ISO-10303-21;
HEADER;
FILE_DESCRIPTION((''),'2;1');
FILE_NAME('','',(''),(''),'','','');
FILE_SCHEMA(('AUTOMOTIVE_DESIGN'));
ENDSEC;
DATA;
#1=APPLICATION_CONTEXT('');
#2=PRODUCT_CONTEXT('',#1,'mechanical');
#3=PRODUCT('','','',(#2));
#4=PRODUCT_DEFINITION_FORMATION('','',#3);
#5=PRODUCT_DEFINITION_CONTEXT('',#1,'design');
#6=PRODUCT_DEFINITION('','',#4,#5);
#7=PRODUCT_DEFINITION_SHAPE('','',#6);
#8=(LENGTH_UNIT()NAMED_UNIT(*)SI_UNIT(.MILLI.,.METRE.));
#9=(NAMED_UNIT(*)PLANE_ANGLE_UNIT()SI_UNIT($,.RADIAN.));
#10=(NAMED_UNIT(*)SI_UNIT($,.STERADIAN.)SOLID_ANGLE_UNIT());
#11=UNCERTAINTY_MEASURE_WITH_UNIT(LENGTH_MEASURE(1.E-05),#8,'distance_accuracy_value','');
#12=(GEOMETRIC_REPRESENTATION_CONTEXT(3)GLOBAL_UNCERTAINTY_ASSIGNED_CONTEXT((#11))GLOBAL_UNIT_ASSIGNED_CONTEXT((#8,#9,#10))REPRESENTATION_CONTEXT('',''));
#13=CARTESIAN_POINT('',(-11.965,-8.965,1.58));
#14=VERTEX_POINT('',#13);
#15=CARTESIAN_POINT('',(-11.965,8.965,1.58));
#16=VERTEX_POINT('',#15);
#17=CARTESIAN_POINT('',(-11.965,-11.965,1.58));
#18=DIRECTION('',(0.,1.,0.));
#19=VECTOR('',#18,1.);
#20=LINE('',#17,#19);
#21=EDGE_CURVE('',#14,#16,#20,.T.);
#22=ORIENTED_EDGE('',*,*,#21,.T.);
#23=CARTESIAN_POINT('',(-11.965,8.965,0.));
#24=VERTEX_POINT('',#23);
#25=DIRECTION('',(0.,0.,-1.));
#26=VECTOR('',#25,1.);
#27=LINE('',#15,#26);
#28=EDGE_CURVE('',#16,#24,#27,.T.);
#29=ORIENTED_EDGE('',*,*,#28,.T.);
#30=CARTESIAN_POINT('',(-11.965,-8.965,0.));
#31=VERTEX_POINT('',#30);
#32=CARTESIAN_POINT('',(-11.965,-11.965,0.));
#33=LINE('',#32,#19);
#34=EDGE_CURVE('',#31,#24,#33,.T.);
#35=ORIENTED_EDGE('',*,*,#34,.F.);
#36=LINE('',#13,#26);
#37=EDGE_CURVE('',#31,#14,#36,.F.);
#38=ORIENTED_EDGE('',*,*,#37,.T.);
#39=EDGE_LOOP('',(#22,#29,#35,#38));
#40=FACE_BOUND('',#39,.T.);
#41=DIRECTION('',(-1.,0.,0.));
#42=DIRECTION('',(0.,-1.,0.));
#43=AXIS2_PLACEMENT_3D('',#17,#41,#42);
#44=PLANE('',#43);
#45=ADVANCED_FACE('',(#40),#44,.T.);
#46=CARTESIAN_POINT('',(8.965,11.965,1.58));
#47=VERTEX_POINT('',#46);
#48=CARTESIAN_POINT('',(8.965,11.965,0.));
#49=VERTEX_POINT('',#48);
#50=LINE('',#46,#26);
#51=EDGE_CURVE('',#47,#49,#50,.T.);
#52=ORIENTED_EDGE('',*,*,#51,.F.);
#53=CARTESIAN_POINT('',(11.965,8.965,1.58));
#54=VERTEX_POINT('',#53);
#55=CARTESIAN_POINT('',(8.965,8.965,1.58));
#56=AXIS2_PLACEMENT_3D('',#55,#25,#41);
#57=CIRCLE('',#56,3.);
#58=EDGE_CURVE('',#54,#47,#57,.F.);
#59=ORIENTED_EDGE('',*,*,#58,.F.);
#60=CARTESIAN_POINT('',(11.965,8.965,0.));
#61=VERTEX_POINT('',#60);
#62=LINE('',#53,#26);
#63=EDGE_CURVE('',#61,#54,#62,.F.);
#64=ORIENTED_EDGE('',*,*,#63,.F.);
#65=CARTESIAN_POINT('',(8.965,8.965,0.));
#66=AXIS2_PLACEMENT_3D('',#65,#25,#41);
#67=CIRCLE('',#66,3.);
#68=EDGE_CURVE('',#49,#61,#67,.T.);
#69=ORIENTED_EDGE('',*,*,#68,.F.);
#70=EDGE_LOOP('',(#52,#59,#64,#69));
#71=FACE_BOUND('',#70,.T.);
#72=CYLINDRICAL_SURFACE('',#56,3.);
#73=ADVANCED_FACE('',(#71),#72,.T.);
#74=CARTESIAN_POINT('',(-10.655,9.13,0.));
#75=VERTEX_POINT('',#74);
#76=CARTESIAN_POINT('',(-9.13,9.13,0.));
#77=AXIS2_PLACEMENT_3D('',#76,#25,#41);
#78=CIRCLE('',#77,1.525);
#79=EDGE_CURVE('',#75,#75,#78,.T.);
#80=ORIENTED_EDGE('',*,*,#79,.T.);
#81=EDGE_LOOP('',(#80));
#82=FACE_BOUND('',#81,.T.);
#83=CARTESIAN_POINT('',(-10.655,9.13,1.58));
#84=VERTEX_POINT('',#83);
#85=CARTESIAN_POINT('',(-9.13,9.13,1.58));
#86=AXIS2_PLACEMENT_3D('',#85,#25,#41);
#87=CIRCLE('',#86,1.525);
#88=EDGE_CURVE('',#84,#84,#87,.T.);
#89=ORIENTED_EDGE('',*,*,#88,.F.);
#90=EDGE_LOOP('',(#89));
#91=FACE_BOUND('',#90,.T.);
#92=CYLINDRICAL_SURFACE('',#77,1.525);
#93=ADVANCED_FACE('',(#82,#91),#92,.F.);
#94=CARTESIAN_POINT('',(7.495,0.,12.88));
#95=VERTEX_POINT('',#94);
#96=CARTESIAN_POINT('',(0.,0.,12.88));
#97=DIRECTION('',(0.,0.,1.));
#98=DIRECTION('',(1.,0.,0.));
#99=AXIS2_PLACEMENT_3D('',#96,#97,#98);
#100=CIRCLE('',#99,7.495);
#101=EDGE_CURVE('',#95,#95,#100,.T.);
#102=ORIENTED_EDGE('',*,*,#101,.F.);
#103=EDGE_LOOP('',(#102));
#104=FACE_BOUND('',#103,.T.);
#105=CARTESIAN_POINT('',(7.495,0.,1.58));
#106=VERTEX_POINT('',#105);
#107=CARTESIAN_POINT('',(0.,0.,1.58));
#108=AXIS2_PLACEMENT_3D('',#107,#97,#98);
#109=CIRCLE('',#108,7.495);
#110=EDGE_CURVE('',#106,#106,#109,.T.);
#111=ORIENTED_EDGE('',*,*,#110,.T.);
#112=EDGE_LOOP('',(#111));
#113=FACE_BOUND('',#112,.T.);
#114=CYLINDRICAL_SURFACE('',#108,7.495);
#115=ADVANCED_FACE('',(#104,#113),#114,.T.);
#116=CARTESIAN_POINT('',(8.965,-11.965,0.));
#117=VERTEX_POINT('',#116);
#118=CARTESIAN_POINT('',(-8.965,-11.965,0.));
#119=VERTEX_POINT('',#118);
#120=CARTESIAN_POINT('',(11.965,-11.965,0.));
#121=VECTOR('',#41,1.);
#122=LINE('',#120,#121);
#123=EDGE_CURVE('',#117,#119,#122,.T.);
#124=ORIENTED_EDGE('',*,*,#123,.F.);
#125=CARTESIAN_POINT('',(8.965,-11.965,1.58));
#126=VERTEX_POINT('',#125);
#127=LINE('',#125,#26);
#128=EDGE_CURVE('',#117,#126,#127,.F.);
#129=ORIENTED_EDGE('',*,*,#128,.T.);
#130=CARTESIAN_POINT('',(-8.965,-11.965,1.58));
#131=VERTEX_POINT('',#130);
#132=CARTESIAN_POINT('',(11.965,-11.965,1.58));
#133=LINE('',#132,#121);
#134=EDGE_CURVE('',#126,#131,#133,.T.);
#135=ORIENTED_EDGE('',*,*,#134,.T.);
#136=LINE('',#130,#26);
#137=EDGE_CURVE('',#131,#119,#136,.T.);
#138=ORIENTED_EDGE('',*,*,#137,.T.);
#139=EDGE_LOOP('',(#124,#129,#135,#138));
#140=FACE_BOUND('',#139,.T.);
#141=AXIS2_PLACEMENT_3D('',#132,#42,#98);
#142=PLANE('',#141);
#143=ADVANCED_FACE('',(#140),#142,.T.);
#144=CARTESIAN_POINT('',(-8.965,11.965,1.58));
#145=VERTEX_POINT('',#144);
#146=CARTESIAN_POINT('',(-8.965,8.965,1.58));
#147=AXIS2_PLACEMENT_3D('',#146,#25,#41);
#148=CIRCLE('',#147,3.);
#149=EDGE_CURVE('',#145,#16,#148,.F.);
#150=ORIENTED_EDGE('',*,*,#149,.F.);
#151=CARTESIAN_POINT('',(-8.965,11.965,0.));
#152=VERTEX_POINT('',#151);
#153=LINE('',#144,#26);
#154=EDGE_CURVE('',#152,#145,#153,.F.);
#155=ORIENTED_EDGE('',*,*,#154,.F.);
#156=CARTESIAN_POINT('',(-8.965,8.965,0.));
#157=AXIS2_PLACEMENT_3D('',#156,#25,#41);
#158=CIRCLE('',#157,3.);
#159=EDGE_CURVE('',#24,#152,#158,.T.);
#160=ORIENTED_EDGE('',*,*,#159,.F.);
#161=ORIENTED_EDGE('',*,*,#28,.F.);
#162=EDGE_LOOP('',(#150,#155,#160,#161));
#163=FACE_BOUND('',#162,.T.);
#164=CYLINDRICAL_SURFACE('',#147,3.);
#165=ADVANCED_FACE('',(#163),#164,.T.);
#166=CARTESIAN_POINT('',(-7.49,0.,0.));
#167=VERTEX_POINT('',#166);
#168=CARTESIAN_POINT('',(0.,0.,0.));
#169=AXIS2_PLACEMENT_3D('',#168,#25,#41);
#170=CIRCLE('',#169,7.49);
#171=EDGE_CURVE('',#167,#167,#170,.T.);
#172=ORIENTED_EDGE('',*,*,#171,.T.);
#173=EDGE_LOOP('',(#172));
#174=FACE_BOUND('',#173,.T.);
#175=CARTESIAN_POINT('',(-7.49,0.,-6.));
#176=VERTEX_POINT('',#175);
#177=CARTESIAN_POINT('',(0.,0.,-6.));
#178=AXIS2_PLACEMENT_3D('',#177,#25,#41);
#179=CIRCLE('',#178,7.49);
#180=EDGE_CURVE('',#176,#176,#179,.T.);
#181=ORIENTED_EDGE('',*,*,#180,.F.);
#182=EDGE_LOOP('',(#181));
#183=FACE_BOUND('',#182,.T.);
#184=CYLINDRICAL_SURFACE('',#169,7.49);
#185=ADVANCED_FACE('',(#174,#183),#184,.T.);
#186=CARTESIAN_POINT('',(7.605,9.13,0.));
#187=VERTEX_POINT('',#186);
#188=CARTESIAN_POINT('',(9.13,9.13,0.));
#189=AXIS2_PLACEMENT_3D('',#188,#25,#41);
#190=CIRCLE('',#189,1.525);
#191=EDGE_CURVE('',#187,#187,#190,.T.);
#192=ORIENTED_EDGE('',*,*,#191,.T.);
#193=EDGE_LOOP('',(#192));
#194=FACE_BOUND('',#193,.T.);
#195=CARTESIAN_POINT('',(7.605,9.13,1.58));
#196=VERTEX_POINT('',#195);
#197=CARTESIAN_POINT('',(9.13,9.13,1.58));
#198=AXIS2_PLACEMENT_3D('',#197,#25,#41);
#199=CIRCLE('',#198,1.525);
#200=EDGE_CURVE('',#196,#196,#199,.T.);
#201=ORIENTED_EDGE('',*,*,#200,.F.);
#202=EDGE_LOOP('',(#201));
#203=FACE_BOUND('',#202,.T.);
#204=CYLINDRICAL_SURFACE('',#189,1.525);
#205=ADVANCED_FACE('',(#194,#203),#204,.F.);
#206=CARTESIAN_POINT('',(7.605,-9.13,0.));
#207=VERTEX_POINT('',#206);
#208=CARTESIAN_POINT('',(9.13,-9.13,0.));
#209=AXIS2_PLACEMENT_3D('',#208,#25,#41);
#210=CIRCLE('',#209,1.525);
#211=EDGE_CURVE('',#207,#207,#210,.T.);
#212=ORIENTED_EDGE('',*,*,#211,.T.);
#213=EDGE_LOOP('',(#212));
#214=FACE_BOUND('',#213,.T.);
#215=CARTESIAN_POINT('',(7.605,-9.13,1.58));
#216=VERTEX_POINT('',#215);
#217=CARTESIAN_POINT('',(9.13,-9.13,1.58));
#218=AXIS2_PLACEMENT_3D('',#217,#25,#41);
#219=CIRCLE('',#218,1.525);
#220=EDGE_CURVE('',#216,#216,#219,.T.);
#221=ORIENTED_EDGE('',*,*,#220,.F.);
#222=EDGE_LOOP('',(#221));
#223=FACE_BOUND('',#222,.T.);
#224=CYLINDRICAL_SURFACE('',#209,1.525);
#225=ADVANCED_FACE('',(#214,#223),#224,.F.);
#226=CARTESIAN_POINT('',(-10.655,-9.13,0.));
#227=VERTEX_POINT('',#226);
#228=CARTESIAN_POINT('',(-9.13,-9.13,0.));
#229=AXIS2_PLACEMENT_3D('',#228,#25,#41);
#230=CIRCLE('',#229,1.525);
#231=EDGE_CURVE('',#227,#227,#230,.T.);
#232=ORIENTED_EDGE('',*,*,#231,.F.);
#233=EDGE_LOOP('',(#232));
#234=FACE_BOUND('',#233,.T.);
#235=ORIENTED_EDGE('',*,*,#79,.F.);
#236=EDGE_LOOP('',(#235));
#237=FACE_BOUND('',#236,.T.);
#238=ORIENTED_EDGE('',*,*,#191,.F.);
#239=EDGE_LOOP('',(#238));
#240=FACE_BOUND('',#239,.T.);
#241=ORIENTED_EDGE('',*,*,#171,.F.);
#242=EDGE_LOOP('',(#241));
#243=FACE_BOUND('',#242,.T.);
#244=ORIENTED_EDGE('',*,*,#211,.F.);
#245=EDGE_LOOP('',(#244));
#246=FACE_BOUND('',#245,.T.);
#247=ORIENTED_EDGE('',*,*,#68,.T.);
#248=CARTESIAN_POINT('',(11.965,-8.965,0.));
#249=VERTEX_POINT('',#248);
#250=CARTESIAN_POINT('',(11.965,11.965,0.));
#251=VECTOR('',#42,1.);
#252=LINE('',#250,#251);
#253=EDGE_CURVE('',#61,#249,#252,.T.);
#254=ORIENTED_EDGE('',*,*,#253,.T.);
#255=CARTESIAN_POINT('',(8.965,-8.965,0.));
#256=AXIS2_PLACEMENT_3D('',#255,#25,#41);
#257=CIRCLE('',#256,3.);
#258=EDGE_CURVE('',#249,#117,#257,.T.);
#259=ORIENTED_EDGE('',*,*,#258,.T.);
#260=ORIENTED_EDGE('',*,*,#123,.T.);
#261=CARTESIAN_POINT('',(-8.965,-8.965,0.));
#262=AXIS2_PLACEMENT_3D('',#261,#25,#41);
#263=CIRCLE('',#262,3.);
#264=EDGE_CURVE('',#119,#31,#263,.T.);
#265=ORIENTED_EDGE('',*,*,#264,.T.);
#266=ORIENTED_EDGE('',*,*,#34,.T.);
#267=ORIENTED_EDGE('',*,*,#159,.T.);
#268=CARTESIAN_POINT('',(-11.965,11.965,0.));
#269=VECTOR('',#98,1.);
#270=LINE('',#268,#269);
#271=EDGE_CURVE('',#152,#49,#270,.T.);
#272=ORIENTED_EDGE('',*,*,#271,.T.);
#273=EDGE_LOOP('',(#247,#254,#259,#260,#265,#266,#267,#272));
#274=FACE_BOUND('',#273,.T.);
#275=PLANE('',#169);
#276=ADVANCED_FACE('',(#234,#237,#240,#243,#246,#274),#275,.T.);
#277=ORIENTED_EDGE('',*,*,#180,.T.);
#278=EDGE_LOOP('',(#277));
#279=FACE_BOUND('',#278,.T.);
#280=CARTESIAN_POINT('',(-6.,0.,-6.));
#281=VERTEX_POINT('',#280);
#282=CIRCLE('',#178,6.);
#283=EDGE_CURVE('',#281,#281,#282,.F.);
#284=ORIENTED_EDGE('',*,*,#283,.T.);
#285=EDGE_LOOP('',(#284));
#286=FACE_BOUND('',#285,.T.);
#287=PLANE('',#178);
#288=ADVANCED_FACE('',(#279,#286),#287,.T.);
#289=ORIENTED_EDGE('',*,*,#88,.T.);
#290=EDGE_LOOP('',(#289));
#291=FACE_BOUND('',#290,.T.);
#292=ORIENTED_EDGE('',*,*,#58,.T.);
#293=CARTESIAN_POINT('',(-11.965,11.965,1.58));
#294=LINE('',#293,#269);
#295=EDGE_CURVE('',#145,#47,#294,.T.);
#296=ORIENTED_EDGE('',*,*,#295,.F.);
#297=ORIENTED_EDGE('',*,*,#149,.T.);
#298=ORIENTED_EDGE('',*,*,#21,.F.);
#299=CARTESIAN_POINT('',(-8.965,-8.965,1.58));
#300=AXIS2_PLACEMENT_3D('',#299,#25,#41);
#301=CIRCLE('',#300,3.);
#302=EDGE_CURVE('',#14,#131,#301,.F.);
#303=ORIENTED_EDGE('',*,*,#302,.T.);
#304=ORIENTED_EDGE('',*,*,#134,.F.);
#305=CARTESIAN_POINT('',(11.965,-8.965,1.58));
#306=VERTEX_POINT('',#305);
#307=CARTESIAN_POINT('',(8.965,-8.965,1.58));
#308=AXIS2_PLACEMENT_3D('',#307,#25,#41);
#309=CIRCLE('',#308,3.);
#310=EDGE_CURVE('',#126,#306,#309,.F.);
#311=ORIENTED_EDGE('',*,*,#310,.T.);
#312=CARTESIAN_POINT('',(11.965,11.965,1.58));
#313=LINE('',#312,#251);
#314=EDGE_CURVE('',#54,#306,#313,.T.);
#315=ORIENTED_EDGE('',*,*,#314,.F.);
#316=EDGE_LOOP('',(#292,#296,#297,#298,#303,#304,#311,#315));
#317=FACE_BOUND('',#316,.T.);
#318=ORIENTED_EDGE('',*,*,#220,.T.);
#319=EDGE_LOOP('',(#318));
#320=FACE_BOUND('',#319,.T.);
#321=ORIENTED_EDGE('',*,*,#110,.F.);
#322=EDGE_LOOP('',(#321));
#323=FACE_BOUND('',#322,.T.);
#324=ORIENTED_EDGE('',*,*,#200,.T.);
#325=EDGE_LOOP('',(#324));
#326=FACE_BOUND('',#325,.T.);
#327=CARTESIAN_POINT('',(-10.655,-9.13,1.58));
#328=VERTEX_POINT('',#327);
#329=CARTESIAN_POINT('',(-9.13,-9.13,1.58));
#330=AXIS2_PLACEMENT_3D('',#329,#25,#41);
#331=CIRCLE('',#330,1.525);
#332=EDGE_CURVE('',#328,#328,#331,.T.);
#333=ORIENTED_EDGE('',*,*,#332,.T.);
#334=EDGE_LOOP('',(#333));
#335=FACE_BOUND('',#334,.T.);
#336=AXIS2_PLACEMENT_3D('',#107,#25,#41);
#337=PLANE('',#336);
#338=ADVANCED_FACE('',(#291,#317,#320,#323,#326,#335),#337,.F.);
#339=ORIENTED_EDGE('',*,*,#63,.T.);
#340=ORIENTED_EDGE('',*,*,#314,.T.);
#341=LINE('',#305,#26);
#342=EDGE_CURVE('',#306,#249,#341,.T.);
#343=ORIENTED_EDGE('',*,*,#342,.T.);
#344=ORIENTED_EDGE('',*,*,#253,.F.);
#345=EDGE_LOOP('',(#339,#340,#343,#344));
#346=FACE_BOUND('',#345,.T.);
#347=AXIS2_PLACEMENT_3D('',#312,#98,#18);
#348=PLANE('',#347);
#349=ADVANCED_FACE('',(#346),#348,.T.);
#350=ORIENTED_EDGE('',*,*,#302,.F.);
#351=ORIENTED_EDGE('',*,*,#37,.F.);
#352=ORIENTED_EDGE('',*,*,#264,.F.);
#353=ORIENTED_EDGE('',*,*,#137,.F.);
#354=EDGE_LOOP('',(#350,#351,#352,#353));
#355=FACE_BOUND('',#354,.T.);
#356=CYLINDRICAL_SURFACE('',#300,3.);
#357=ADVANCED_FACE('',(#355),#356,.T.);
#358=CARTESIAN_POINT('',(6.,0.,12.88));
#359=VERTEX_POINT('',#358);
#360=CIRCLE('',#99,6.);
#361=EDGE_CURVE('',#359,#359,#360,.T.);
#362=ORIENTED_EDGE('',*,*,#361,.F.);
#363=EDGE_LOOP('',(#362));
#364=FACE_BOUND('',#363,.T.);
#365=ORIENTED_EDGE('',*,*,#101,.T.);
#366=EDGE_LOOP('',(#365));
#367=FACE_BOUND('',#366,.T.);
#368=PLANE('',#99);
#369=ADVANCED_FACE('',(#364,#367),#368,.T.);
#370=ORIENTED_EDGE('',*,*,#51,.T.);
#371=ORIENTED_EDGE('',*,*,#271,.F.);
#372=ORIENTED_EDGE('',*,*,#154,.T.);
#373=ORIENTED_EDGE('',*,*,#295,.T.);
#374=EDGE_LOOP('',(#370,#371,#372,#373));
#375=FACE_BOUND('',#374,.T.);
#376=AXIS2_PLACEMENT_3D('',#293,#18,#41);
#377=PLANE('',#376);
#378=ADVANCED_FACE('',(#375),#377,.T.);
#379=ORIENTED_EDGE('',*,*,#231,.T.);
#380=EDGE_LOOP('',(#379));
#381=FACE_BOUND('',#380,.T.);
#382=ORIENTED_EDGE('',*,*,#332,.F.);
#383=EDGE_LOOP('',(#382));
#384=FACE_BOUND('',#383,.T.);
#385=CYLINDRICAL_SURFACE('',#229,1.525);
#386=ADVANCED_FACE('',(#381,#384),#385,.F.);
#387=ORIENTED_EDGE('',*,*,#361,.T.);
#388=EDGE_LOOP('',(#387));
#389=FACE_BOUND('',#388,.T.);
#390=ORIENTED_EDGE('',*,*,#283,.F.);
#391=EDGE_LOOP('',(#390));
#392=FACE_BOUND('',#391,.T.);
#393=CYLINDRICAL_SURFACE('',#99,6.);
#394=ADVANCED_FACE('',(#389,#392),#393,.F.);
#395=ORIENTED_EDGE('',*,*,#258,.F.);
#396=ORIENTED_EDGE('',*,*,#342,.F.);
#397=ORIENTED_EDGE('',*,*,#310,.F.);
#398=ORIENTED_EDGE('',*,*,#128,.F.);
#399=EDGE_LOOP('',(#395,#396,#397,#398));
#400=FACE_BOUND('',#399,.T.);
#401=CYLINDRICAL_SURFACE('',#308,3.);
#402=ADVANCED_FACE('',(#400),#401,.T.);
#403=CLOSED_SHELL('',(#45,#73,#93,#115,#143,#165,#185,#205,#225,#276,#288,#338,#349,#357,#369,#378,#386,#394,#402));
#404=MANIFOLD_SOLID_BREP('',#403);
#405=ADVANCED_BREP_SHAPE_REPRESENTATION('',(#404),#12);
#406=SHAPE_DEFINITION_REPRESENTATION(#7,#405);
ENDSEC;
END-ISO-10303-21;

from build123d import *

# Parameters (mm, degrees)
SKETCH_1_W                  = 23.93
SKETCH_1_H                  = 23.93
EXTRUDE_1_DEPTH             = 1.58
SKETCH_2_W                  = 7.495
SKETCH_2_H                  = 11.3
SKETCH_3_W                  = 7.49
SKETCH_3_H                  = 7.44
HOLE_WIZARD_M2_51_D         = 3.05
HOLE_WIZARD_M2_51_DEPTH     = 12.88
HOLE_WIZARD_12_0_12_1_D     = 12
HOLE_WIZARD_12_0_12_1_DEPTH = 10
FILLET_1_R                  = 3
CUT_EXTRUDE_START           = -15
SKETCH_8_R                  = 6
CUT_EXTRUDE_1_DEPTH         = 15
SKETCH_9_R                  = 7.49
SKETCH_9_R_2                = 6
CUT_EXTRUDE_3_DEPTH         = 1.44


with BuildPart() as part:
    # Эскиз1 → Бобышка-Вытянуть1 (new body)
    with BuildSketch(Plane(origin=(0, 0, 0), x_dir=(-1, 0, 0), z_dir=(0, 0, -1))):
        Rectangle(SKETCH_1_W, SKETCH_1_H)
    extrude(amount=-EXTRUDE_1_DEPTH)

    # Эскиз2 → Повернуть1 (revolve)
    with BuildSketch(Plane(origin=(0, 0, 0), x_dir=(1, 0, 0), z_dir=(0, 1, 0))):
        with Locations((3.7475, -7.23)):
            Rectangle(SKETCH_2_W, SKETCH_2_H)
    revolve(axis=Axis((0, 0, 1.58), (0, 0, 1)))

    # Эскиз3 → Повернуть2 (revolve)
    with BuildSketch(Plane.XZ, mode=Mode.PRIVATE) as revolve_2_sk:
        with Locations((3.745, -3.72)):
            Rectangle(SKETCH_3_W, SKETCH_3_H)
    revolve(revolve_2_sk.sketch.rotate(Axis((0, 0, 0), (0, 0, -1)), 180), axis=Axis((0, 0, 0), (0, 0, -1)))

    # Отверстие с зазором M2.51
    with Locations(Plane(origin=(0, 0, 0), x_dir=(-1, 0, 0), z_dir=(0, 0, -1))):
        with Locations((9.13, -9.13), (9.13, 9.13), (-9.13, 9.13), (-9.13, -9.13)):
            Hole(HOLE_WIZARD_M2_51_D / 2, depth=HOLE_WIZARD_M2_51_DEPTH)

    # Диаметр отверстия Ø12.0 (12)1
    with Locations(Plane.XY.offset(12.88)):
        with Locations((0, 0)):
            Hole(HOLE_WIZARD_12_0_12_1_D / 2, depth=HOLE_WIZARD_12_0_12_1_DEPTH)

    # Скругление1
    fillet_1_edges = [part.edges().sort_by_distance(p)[0] for p in [
        (11.965, -11.965, 0.79),
        (11.965, 11.965, 0.79),
        (-11.965, 11.965, 0.79),
        (-11.965, -11.965, 0.79),
    ]]
    fillet(fillet_1_edges, radius=FILLET_1_R)

    # Эскиз8 → Вырез-Вытянуть1 (cut)
    with BuildSketch(Plane.XY.offset(2.88).offset(CUT_EXTRUDE_START)):
        Circle(SKETCH_8_R)
    extrude(amount=CUT_EXTRUDE_1_DEPTH, mode=Mode.SUBTRACT)

    # Эскиз9 → Вырез-Вытянуть3 (cut)
    with BuildSketch(Plane(origin=(0, 0, -7.44), x_dir=(-1, 0, 0), z_dir=(0, 0, -1))):
        Circle(SKETCH_9_R)
        with Locations(Location((0, 0, 0), (0, 0, 180))):
            Circle(SKETCH_9_R_2, mode=Mode.SUBTRACT)
    extrude(amount=-CUT_EXTRUDE_3_DEPTH, mode=Mode.SUBTRACT)


solid = part.part
